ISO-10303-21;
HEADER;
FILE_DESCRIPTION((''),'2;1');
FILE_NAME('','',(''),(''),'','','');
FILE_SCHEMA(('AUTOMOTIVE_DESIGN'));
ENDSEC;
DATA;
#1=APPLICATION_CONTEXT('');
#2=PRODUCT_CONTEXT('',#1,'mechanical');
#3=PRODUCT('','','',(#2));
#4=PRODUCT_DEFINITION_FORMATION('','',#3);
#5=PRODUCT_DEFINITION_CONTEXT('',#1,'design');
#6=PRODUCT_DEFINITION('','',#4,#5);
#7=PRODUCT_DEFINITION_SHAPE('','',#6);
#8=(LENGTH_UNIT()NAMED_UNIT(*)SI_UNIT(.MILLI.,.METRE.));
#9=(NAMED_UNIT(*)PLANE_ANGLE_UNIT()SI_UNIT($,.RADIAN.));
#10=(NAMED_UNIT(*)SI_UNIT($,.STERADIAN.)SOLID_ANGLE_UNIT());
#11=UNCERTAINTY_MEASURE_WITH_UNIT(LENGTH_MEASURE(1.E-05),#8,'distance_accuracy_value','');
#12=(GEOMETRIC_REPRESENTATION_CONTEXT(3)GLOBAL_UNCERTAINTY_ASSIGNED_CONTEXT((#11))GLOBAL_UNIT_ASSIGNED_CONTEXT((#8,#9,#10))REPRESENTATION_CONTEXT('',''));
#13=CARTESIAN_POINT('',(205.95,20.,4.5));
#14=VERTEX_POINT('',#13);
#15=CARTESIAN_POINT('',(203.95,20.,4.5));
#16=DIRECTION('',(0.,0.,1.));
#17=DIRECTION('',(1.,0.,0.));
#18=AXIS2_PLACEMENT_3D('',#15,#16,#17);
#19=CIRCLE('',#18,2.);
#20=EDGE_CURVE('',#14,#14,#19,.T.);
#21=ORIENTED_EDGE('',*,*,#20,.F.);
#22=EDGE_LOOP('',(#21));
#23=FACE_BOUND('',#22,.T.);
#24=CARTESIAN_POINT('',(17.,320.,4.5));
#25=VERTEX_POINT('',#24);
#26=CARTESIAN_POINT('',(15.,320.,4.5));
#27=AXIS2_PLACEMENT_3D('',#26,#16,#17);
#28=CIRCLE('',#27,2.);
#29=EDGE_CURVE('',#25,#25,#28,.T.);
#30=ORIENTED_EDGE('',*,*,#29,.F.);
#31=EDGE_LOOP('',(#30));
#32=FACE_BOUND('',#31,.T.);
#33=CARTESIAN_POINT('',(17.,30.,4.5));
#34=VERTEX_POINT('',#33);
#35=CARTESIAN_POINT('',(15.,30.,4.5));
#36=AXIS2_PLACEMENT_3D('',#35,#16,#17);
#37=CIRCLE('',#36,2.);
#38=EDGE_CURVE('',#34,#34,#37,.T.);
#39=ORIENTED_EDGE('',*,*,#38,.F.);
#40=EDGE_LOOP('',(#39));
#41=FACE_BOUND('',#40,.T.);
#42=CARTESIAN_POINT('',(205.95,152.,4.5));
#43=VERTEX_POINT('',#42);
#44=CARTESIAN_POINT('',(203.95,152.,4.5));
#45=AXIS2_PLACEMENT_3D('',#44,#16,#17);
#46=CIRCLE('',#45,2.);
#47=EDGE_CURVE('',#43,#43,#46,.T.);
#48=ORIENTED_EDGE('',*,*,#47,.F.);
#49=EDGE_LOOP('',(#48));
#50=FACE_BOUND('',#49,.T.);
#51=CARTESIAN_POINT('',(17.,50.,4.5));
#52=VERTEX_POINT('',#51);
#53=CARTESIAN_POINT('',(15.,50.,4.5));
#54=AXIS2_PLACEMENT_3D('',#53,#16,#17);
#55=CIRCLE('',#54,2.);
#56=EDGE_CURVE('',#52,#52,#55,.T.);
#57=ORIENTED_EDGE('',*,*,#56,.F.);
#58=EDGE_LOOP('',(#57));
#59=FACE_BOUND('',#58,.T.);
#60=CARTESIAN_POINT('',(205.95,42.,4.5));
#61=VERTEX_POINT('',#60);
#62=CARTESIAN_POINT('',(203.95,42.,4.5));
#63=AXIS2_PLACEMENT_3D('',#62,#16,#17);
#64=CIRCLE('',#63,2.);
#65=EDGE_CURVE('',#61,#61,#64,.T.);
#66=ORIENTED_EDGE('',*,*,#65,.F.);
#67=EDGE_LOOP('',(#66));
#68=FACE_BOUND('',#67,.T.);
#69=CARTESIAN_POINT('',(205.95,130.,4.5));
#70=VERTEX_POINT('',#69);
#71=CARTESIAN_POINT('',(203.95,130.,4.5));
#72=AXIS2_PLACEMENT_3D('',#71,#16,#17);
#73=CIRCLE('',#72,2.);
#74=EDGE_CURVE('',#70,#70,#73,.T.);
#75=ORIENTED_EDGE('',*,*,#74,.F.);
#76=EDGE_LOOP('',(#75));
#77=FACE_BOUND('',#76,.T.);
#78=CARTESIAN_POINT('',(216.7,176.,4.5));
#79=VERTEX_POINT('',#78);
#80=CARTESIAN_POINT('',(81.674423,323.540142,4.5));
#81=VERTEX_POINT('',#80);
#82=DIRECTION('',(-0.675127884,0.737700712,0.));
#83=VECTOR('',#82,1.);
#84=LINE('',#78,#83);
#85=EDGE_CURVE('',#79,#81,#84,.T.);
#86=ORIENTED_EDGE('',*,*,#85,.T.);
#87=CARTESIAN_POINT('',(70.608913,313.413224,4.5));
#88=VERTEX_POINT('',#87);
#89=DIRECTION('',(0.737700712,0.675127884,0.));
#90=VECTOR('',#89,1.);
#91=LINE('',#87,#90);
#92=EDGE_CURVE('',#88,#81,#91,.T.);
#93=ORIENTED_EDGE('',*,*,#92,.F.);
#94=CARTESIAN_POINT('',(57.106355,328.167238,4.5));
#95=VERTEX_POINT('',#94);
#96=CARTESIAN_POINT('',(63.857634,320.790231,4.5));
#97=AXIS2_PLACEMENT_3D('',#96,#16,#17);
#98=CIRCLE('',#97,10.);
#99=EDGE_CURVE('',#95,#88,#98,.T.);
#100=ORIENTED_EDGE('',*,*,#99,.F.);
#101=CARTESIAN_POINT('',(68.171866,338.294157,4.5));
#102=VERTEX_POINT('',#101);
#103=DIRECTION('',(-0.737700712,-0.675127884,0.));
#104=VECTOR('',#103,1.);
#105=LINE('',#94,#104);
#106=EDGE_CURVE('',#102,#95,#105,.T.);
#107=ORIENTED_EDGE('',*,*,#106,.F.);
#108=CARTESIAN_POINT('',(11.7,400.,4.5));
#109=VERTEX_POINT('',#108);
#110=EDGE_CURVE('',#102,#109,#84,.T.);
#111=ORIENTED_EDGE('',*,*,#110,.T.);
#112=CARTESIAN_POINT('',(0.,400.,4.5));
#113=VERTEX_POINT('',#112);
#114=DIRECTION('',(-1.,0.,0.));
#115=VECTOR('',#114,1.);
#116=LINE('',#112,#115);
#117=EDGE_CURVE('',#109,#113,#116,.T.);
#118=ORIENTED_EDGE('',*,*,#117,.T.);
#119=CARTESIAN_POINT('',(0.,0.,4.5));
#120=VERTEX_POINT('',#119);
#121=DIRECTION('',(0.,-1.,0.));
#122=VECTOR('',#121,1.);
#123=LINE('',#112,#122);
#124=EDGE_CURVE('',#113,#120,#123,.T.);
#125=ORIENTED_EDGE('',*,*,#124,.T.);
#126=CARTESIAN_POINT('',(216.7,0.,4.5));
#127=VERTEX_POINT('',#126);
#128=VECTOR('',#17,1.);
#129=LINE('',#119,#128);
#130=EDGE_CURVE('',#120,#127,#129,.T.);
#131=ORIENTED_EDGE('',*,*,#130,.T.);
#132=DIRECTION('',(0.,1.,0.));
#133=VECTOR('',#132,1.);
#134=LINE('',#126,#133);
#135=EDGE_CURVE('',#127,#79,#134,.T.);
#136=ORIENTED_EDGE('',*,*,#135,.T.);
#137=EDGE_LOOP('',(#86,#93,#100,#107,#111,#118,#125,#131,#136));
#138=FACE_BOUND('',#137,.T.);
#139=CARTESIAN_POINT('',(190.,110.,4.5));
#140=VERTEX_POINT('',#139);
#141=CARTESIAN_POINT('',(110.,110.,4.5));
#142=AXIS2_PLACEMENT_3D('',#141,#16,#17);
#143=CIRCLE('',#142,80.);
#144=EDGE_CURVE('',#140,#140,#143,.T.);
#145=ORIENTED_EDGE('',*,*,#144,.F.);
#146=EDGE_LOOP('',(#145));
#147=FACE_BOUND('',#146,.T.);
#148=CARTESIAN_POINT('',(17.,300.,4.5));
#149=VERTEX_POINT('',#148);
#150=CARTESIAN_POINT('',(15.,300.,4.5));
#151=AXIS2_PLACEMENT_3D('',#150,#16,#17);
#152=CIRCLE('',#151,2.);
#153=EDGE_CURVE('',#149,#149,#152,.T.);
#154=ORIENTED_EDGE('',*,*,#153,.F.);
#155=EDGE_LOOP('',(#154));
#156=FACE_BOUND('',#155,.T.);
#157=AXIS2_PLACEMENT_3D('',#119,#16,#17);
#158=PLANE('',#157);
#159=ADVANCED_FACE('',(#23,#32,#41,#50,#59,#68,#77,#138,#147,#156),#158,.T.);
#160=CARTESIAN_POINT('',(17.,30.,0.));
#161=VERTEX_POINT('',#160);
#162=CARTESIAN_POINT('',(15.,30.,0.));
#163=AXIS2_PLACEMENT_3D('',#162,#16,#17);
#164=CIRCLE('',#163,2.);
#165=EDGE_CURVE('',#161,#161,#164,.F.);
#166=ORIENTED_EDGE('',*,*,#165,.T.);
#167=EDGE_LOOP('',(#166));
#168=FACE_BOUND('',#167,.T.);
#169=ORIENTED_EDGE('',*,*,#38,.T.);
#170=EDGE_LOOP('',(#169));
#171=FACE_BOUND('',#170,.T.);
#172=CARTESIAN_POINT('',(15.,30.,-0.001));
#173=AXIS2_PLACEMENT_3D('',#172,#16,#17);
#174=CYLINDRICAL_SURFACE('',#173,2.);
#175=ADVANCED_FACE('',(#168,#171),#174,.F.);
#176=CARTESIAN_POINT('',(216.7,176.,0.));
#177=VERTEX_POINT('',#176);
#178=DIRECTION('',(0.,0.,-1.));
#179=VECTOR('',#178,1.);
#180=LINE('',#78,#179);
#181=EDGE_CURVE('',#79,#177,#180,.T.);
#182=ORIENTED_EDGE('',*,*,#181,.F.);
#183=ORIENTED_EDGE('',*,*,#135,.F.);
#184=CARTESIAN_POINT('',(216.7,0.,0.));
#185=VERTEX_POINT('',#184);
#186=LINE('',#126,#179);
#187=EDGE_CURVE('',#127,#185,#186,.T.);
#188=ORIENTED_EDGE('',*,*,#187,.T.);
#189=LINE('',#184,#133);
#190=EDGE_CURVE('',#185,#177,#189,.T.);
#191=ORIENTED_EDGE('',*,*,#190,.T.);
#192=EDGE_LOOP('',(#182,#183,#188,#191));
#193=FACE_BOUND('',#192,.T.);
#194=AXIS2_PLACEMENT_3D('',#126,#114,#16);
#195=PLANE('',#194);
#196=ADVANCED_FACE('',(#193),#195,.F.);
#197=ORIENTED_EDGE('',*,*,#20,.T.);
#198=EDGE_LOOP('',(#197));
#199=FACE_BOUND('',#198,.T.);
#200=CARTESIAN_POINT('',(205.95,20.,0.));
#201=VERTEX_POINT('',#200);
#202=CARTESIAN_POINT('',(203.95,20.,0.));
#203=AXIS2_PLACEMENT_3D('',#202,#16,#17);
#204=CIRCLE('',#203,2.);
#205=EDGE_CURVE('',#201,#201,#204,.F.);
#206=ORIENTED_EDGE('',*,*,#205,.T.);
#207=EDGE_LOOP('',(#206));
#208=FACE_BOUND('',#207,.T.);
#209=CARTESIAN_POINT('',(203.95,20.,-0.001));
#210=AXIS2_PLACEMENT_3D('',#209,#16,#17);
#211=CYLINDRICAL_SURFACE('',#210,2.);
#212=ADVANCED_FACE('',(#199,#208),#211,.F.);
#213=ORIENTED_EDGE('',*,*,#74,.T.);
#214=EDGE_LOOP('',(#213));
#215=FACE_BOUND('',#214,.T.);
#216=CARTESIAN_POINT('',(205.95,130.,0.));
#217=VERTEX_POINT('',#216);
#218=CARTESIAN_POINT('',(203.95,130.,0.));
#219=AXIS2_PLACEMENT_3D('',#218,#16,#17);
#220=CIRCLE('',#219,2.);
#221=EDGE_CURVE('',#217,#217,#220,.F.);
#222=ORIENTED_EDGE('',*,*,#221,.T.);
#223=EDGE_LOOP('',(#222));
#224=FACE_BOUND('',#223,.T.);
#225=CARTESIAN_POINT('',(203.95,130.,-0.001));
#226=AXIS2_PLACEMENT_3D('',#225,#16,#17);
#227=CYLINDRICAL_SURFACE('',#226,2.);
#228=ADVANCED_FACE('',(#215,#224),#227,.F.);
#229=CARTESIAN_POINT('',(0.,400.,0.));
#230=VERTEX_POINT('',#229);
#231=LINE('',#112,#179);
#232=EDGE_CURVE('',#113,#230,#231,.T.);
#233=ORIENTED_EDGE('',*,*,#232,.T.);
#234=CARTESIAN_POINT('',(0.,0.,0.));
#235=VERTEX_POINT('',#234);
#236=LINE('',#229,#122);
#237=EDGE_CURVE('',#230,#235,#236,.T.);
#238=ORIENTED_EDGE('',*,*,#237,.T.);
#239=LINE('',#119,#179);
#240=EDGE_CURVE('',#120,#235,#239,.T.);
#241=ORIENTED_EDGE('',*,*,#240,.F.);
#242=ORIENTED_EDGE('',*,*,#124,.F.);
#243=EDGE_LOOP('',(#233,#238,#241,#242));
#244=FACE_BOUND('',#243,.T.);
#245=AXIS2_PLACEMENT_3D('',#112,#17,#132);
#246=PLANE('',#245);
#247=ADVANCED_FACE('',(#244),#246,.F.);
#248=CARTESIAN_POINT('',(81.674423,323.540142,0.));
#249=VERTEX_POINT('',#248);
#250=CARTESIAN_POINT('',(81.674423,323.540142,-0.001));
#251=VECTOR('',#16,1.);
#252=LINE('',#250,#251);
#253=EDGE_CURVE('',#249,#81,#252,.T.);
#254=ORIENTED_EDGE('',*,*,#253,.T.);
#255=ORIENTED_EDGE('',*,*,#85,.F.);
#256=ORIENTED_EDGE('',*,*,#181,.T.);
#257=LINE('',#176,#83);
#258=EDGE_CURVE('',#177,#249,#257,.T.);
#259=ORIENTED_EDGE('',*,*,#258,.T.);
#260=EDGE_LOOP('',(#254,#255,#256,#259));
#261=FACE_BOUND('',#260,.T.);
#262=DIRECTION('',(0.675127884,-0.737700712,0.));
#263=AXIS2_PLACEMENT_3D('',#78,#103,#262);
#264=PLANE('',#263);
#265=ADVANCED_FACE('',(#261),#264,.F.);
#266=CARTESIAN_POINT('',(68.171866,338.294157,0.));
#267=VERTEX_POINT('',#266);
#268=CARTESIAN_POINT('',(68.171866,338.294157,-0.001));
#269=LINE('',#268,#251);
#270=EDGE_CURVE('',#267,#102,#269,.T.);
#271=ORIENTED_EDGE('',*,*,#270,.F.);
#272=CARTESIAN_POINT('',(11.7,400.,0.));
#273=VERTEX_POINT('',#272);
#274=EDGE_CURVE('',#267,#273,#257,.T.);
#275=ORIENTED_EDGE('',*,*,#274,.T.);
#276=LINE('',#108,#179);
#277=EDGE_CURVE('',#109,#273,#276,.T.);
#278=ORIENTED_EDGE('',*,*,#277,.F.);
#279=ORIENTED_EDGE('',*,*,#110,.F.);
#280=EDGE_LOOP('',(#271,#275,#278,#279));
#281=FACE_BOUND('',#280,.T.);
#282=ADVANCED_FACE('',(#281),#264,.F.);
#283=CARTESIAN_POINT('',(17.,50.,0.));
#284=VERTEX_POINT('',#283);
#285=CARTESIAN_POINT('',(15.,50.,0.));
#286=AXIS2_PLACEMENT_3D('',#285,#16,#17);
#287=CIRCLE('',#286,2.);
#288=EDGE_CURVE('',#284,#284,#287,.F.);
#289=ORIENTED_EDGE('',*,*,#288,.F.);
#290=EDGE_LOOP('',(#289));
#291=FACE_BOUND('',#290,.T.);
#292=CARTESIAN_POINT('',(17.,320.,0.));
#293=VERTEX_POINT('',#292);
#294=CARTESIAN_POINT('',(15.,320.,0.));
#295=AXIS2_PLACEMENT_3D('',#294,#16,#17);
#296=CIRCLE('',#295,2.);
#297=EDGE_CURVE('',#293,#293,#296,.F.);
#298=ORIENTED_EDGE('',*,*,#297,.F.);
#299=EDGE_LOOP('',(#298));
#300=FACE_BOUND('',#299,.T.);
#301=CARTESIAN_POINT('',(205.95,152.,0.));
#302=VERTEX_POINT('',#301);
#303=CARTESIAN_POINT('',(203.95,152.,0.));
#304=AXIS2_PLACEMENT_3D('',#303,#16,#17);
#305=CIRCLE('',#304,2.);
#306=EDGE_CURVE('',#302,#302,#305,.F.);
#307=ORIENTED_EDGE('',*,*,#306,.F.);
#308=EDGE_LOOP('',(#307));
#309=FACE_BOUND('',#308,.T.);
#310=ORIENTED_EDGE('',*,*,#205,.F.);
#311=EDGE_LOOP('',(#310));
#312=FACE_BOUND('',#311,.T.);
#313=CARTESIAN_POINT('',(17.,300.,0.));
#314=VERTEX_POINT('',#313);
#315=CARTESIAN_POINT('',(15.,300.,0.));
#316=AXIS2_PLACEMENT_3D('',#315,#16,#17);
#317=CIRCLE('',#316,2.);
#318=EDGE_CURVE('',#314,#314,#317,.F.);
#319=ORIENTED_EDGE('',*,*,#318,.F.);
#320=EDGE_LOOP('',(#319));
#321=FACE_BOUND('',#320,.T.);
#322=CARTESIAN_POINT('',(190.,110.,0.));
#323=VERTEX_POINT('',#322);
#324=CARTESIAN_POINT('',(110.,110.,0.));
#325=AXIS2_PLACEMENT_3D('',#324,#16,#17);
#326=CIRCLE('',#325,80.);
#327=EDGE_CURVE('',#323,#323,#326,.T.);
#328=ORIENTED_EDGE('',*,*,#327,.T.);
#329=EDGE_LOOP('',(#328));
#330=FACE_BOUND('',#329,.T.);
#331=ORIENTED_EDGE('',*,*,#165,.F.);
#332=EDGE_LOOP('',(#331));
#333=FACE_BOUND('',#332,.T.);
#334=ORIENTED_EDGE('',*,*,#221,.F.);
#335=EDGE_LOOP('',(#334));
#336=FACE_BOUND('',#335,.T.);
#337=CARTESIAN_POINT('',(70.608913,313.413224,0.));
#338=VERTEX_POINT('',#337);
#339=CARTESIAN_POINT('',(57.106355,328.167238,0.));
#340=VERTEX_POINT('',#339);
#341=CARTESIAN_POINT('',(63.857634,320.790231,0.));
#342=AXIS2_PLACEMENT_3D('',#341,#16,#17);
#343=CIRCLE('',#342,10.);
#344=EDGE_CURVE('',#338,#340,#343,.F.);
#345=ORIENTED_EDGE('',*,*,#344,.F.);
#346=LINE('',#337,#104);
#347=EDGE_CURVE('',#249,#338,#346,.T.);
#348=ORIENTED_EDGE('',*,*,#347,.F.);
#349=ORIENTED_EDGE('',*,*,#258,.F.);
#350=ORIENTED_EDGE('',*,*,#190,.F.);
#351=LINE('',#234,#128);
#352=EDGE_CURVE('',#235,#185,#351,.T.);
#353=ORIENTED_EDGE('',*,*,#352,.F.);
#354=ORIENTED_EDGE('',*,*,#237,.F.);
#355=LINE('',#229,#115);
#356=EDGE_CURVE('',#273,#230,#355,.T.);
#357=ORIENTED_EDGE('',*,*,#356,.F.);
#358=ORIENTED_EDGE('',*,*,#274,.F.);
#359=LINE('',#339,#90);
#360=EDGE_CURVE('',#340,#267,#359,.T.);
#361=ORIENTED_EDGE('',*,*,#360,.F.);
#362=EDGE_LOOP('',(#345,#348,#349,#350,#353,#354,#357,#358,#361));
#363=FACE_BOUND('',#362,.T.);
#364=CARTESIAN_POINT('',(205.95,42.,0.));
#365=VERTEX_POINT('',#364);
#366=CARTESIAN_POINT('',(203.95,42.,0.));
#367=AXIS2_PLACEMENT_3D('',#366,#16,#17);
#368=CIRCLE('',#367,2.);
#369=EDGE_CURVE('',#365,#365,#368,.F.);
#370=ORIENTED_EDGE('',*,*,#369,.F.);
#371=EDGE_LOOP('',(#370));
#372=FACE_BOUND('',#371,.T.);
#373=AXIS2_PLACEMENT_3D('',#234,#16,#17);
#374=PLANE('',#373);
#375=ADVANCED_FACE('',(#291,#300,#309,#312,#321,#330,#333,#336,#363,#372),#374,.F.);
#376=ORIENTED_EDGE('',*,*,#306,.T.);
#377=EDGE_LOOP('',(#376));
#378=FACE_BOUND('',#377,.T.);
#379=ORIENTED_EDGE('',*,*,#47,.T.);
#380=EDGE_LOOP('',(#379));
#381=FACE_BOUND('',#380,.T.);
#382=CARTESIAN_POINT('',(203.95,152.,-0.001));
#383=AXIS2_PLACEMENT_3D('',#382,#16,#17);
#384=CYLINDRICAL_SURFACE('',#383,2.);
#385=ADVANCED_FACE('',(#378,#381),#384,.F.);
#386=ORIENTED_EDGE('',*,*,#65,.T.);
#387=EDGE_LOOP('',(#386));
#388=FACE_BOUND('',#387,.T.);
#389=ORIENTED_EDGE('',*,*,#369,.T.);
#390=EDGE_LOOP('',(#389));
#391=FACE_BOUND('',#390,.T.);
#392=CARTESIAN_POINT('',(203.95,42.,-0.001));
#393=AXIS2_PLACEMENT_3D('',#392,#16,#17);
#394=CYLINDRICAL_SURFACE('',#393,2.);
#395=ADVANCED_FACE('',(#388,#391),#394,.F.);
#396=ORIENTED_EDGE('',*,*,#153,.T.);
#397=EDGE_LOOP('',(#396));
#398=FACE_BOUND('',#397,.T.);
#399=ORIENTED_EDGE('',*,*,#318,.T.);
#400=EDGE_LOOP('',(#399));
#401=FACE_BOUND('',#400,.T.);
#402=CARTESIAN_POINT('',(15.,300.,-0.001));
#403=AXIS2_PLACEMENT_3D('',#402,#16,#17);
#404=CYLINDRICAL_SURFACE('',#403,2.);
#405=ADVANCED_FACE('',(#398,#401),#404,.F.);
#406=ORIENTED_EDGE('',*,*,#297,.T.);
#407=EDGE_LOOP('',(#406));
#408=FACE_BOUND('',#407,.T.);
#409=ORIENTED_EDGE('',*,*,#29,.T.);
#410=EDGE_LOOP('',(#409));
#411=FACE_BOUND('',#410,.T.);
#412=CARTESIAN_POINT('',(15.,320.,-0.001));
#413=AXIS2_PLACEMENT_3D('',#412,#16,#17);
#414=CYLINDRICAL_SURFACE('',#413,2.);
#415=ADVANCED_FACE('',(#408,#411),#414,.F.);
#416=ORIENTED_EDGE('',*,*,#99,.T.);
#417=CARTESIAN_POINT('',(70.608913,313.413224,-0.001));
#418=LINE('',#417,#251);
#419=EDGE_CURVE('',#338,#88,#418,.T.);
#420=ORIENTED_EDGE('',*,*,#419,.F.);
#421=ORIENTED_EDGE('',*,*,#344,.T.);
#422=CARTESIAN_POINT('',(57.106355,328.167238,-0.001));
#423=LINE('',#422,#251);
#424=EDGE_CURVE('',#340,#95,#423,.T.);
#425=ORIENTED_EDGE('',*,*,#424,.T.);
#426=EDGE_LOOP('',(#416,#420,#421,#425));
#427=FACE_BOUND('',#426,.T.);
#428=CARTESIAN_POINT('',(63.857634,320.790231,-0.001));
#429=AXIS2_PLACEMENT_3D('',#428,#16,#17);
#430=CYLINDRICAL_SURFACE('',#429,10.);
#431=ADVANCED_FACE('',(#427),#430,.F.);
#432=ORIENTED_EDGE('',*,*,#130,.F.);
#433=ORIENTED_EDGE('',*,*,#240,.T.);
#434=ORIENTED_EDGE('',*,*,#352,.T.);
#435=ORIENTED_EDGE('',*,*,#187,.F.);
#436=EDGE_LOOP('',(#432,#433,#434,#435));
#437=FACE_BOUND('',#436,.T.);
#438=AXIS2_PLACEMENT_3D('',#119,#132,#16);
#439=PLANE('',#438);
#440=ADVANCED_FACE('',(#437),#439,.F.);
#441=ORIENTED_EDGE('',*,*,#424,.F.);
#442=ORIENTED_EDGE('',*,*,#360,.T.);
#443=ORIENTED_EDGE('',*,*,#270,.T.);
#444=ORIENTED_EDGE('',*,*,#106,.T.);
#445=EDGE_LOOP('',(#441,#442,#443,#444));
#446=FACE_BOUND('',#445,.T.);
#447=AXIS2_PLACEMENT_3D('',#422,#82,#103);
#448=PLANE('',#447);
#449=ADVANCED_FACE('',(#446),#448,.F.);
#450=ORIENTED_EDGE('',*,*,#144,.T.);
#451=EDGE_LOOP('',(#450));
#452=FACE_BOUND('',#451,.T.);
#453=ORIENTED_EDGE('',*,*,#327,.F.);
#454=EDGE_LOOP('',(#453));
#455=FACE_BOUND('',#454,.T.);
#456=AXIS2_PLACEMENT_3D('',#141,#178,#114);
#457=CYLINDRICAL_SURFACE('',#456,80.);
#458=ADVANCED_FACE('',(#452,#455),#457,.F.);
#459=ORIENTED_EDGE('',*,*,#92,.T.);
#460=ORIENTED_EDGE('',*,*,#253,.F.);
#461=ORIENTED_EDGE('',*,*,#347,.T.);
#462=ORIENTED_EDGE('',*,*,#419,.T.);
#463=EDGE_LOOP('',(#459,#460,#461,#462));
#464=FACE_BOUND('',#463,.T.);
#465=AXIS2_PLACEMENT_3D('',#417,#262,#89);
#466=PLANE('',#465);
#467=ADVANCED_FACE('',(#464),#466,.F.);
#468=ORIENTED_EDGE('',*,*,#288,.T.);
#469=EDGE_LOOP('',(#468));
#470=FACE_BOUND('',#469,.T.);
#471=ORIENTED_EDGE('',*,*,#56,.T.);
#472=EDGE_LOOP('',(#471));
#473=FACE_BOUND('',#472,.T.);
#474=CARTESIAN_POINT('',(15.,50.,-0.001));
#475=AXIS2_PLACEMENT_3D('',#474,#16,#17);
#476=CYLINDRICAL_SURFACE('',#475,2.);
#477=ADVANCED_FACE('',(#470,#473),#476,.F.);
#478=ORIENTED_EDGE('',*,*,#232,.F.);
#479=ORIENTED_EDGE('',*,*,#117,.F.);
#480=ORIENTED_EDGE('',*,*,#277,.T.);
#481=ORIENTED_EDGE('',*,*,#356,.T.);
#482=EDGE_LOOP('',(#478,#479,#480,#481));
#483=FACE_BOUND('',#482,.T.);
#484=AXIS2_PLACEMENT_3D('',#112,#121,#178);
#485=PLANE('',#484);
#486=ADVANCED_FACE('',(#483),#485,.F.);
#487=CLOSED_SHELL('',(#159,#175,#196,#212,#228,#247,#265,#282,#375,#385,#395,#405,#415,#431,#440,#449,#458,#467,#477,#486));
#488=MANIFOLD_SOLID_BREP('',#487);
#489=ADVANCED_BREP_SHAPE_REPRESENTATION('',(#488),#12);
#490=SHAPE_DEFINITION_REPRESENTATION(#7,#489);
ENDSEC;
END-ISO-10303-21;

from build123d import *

# Parameters (mm, degrees)
SKETCH_1_R          = 80
EXTRUDE_1_DEPTH     = 4.5
CUT_EXTRUDE_1_REACH = 456.95
SKETCH_2_R          = 2


with BuildPart() as part:
    # 草图1 → 凸台-拉伸1 (new body)
    with BuildSketch(Plane.XY):
        Polygon((0, 0), (216.7, 0), (216.7, 176), (11.7, 400), (0, 400), align=None)
        with Locations((110, 110)):
            Circle(SKETCH_1_R, mode=Mode.SUBTRACT)
    extrude(amount=EXTRUDE_1_DEPTH)

    # 草图2 → 切除-拉伸1 (cut, up to next)
    with BuildSketch(Plane.XY.offset(4.5), mode=Mode.PRIVATE) as cut_extrude_1_sk1:
        with Locations((203.95, 20)):
            Circle(SKETCH_2_R)
    cut_extrude_1_tool1 = extrude(cut_extrude_1_sk1.sketch, amount=-CUT_EXTRUDE_1_REACH, mode=Mode.PRIVATE) & part.part
    # 草图2 → 切除-拉伸1 (cut, up to next)
    with BuildSketch(Plane.XY.offset(4.5), mode=Mode.PRIVATE) as cut_extrude_1_sk2:
        with Locations((203.95, 42)):
            Circle(SKETCH_2_R)
    cut_extrude_1_tool2 = extrude(cut_extrude_1_sk2.sketch, amount=-CUT_EXTRUDE_1_REACH, mode=Mode.PRIVATE) & part.part
    # 草图2 → 切除-拉伸1 (cut, up to next)
    with BuildSketch(Plane.XY.offset(4.5), mode=Mode.PRIVATE) as cut_extrude_1_sk3:
        with Locations((203.95, 130)):
            Circle(SKETCH_2_R)
    cut_extrude_1_tool3 = extrude(cut_extrude_1_sk3.sketch, amount=-CUT_EXTRUDE_1_REACH, mode=Mode.PRIVATE) & part.part
    # 草图2 → 切除-拉伸1 (cut, up to next)
    with BuildSketch(Plane.XY.offset(4.5), mode=Mode.PRIVATE) as cut_extrude_1_sk4:
        with Locations((203.95, 152)):
            Circle(SKETCH_2_R)
    cut_extrude_1_tool4 = extrude(cut_extrude_1_sk4.sketch, amount=-CUT_EXTRUDE_1_REACH, mode=Mode.PRIVATE) & part.part
    # 草图2 → 切除-拉伸1 (cut, up to next)
    with BuildSketch(Plane.XY.offset(4.5), mode=Mode.PRIVATE) as cut_extrude_1_sk5:
        with Locations((15, 30)):
            Circle(SKETCH_2_R)
    cut_extrude_1_tool5 = extrude(cut_extrude_1_sk5.sketch, amount=-CUT_EXTRUDE_1_REACH, mode=Mode.PRIVATE) & part.part
    # 草图2 → 切除-拉伸1 (cut, up to next)
    with BuildSketch(Plane.XY.offset(4.5), mode=Mode.PRIVATE) as cut_extrude_1_sk6:
        with Locations((15, 50)):
            Circle(SKETCH_2_R)
    cut_extrude_1_tool6 = extrude(cut_extrude_1_sk6.sketch, amount=-CUT_EXTRUDE_1_REACH, mode=Mode.PRIVATE) & part.part
    # 草图2 → 切除-拉伸1 (cut, up to next)
    with BuildSketch(Plane.XY.offset(4.5), mode=Mode.PRIVATE) as cut_extrude_1_sk7:
        with Locations((15, 300)):
            Circle(SKETCH_2_R)
    cut_extrude_1_tool7 = extrude(cut_extrude_1_sk7.sketch, amount=-CUT_EXTRUDE_1_REACH, mode=Mode.PRIVATE) & part.part
    # 草图2 → 切除-拉伸1 (cut, up to next)
    with BuildSketch(Plane.XY.offset(4.5), mode=Mode.PRIVATE) as cut_extrude_1_sk8:
        with Locations((15, 320)):
            Circle(SKETCH_2_R)
    cut_extrude_1_tool8 = extrude(cut_extrude_1_sk8.sketch, amount=-CUT_EXTRUDE_1_REACH, mode=Mode.PRIVATE) & part.part
    # 草图2 → 切除-拉伸1 (cut, up to next)
    with BuildSketch(Plane.XY.offset(4.5), mode=Mode.PRIVATE) as cut_extrude_1_sk9:
        with BuildLine():
            Line((57.106354887, 328.167238391), (68.171865568, 338.294156648))
            Line((68.171865568, 338.294156648), (81.674423243, 323.540142407))
            Line((81.674423243, 323.540142407), (70.608912563, 313.41322415))
            ThreePointArc((70.608912563, 313.41322415), (56.480626605, 314.038952433), (57.106354887, 328.167238391))
        make_face()
    cut_extrude_1_tool9 = extrude(cut_extrude_1_sk9.sketch, amount=-CUT_EXTRUDE_1_REACH, mode=Mode.PRIVATE) & part.part
    add(cut_extrude_1_tool1.solids().sort_by_distance((203.95, 20, 4.5))[0], mode=Mode.SUBTRACT)
    add(cut_extrude_1_tool2.solids().sort_by_distance((203.95, 42, 4.5))[0], mode=Mode.SUBTRACT)
    add(cut_extrude_1_tool3.solids().sort_by_distance((203.95, 130, 4.5))[0], mode=Mode.SUBTRACT)
    add(cut_extrude_1_tool4.solids().sort_by_distance((203.95, 152, 4.5))[0], mode=Mode.SUBTRACT)
    add(cut_extrude_1_tool5.solids().sort_by_distance((15, 30, 4.5))[0], mode=Mode.SUBTRACT)
    add(cut_extrude_1_tool6.solids().sort_by_distance((15, 50, 4.5))[0], mode=Mode.SUBTRACT)
    add(cut_extrude_1_tool7.solids().sort_by_distance((15, 300, 4.5))[0], mode=Mode.SUBTRACT)
    add(cut_extrude_1_tool8.solids().sort_by_distance((15, 320, 4.5))[0], mode=Mode.SUBTRACT)
    add(cut_extrude_1_tool9.solids().sort_by_distance((66.413044, 323.128888, 4.5))[0], mode=Mode.SUBTRACT)


solid = part.part
